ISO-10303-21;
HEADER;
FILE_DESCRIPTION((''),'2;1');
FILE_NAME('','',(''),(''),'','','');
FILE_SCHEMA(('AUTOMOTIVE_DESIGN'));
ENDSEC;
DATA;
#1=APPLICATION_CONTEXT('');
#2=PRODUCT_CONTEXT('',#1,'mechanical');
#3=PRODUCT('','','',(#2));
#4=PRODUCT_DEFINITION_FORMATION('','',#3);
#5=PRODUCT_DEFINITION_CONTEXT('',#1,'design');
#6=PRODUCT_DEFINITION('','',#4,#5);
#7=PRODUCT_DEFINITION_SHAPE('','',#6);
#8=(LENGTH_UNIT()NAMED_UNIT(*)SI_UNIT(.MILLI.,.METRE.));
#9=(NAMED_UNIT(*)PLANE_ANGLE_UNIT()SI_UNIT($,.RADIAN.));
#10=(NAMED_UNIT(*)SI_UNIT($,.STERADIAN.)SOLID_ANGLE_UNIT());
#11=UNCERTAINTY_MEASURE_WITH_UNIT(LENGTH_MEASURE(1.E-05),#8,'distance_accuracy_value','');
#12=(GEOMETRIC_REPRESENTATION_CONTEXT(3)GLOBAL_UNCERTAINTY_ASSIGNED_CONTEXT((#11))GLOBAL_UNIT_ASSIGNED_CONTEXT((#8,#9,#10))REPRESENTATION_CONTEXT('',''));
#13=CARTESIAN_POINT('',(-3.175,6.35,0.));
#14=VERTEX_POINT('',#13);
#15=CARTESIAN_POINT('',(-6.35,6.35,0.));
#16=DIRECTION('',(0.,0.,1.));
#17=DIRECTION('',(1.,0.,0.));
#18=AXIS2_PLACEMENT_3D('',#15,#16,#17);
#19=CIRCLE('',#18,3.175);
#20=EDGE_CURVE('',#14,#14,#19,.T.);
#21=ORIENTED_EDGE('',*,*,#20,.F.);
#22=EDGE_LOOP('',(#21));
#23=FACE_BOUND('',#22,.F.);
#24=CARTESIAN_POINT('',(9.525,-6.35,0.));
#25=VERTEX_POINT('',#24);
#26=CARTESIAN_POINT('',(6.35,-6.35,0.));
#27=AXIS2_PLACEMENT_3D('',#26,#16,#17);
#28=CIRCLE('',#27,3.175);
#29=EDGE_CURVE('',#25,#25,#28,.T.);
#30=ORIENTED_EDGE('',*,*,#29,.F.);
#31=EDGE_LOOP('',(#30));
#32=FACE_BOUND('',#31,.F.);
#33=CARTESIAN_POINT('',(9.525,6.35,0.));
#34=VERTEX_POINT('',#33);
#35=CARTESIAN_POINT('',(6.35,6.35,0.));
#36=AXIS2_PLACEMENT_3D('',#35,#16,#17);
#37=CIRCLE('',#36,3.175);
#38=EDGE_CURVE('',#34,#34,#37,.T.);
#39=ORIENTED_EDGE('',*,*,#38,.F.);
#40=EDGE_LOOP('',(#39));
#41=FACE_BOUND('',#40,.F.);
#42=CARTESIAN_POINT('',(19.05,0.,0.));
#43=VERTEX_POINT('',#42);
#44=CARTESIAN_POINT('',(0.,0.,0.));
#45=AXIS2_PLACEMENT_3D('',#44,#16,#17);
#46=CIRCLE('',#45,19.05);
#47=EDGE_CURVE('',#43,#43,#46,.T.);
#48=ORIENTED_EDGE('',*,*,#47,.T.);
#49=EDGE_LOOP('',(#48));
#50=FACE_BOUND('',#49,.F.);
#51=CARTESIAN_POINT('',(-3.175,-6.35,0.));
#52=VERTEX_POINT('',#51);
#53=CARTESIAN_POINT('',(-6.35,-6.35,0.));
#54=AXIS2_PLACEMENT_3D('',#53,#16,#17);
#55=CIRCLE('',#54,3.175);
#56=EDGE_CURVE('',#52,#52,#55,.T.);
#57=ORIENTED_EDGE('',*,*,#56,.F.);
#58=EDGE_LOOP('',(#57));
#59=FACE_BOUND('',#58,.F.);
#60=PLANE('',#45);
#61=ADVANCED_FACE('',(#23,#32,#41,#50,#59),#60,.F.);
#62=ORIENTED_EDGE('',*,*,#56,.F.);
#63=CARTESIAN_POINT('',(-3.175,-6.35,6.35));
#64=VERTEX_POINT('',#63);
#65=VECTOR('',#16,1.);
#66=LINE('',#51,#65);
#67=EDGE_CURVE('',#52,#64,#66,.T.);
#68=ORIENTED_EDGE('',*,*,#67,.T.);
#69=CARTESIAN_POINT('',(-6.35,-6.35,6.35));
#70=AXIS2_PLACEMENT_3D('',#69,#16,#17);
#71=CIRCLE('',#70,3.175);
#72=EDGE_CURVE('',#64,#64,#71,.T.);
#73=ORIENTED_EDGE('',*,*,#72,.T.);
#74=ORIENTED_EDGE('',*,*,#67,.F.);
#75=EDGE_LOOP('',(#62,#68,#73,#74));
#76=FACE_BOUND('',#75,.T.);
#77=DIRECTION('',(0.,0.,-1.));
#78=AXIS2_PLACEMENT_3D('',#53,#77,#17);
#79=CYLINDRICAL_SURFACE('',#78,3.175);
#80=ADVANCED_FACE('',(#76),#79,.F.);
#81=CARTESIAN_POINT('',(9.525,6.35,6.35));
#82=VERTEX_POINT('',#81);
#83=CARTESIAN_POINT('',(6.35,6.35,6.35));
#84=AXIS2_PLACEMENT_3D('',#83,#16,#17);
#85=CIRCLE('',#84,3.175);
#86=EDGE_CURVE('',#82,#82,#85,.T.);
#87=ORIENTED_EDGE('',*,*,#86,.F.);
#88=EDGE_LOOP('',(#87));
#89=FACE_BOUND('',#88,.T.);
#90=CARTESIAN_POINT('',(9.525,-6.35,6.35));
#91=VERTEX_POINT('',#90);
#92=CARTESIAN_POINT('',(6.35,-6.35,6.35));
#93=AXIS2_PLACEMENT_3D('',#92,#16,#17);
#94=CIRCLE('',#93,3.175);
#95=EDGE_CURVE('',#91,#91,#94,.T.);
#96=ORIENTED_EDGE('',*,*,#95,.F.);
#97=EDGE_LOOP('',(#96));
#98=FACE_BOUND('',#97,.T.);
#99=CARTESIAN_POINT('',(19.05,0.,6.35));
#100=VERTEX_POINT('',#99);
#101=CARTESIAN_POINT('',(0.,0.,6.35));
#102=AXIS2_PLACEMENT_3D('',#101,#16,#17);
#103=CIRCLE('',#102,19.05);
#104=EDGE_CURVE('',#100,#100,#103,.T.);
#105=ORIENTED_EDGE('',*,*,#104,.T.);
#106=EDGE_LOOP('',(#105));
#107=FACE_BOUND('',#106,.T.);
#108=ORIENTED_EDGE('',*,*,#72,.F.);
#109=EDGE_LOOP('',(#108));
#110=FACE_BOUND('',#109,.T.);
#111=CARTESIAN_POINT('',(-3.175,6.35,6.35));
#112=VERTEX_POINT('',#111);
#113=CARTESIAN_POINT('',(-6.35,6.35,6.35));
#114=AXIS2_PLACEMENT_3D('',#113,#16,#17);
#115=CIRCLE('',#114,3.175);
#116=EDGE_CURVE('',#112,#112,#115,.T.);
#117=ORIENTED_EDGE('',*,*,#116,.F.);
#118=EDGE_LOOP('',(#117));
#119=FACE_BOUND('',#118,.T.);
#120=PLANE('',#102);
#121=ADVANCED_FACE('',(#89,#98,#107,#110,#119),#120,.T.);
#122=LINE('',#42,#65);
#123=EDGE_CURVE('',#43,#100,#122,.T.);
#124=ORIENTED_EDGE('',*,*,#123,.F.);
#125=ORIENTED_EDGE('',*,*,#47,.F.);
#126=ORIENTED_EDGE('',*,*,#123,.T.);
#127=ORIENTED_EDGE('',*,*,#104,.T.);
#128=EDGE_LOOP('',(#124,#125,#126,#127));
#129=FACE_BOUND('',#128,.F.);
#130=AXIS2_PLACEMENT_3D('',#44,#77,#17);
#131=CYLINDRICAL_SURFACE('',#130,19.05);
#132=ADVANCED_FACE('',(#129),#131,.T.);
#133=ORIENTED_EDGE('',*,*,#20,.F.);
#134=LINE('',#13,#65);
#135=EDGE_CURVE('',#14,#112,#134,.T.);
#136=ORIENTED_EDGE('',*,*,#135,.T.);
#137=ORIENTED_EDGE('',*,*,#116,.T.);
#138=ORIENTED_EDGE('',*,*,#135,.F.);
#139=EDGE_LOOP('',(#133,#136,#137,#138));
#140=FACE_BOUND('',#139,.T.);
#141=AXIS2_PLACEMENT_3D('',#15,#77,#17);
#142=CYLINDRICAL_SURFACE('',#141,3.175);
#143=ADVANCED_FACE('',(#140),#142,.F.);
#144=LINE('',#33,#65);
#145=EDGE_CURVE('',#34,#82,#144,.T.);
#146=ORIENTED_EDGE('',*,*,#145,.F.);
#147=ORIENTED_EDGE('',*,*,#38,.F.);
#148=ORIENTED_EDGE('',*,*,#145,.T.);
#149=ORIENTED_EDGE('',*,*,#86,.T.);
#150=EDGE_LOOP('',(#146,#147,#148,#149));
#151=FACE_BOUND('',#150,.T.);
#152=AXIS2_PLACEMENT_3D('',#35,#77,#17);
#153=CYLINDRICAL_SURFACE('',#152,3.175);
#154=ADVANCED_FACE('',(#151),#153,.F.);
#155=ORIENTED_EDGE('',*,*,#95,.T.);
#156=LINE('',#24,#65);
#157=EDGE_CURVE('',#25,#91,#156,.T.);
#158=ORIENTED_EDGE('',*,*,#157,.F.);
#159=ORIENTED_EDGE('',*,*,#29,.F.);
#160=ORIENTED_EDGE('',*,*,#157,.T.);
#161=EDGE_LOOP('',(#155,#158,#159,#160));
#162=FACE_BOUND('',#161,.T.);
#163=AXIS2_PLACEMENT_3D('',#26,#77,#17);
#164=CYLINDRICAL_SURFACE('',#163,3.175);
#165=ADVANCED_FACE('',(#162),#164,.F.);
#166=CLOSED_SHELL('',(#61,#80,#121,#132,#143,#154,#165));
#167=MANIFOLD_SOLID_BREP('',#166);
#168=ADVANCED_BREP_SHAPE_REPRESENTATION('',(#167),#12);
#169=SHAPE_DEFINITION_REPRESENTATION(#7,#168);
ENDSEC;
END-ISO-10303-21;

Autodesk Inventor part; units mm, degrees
ref_plane "YZ Plane" through (0, 0, 0) normal (1, 0, 0) x (0, 1, 0)
ref_plane "XZ Plane" through (0, 0, 0) normal (0, 1, 0) x (-1, 0, 0)
ref_plane "XY Plane" through (0, 0, 0) normal (0, 0, 1) x (1, 0, 0)
sketch "Sketch1" plane through (0, 0, 0) normal (0, 0, 1) x (1, 0, 0)
  circle A0 centre (0, 0) radius 19.05
  circle A1 centre (6.35, 6.35) radius 3.175
  circle A2 centre (-6.35, 6.35) radius 3.175
  circle A3 centre (-6.35, -6.35) radius 3.175
  circle A4 centre (6.35, -6.35) radius 3.175
  line L0 (0, 0) -> (0, 38.1233) construction
  line L1 (0, 0) -> (30.2858, 0) construction
  dimension "d0" = 38.1
  dimension "d1" = 6.35
  dimension "d4" = 360
  dimension "d6" = 6.35
  dimension "d7" = 6.35
extrude "Extrusion1" add sketch "Sketch1" along normal blind 6.35
properties part number "ShoulderBracketXZPlate"
